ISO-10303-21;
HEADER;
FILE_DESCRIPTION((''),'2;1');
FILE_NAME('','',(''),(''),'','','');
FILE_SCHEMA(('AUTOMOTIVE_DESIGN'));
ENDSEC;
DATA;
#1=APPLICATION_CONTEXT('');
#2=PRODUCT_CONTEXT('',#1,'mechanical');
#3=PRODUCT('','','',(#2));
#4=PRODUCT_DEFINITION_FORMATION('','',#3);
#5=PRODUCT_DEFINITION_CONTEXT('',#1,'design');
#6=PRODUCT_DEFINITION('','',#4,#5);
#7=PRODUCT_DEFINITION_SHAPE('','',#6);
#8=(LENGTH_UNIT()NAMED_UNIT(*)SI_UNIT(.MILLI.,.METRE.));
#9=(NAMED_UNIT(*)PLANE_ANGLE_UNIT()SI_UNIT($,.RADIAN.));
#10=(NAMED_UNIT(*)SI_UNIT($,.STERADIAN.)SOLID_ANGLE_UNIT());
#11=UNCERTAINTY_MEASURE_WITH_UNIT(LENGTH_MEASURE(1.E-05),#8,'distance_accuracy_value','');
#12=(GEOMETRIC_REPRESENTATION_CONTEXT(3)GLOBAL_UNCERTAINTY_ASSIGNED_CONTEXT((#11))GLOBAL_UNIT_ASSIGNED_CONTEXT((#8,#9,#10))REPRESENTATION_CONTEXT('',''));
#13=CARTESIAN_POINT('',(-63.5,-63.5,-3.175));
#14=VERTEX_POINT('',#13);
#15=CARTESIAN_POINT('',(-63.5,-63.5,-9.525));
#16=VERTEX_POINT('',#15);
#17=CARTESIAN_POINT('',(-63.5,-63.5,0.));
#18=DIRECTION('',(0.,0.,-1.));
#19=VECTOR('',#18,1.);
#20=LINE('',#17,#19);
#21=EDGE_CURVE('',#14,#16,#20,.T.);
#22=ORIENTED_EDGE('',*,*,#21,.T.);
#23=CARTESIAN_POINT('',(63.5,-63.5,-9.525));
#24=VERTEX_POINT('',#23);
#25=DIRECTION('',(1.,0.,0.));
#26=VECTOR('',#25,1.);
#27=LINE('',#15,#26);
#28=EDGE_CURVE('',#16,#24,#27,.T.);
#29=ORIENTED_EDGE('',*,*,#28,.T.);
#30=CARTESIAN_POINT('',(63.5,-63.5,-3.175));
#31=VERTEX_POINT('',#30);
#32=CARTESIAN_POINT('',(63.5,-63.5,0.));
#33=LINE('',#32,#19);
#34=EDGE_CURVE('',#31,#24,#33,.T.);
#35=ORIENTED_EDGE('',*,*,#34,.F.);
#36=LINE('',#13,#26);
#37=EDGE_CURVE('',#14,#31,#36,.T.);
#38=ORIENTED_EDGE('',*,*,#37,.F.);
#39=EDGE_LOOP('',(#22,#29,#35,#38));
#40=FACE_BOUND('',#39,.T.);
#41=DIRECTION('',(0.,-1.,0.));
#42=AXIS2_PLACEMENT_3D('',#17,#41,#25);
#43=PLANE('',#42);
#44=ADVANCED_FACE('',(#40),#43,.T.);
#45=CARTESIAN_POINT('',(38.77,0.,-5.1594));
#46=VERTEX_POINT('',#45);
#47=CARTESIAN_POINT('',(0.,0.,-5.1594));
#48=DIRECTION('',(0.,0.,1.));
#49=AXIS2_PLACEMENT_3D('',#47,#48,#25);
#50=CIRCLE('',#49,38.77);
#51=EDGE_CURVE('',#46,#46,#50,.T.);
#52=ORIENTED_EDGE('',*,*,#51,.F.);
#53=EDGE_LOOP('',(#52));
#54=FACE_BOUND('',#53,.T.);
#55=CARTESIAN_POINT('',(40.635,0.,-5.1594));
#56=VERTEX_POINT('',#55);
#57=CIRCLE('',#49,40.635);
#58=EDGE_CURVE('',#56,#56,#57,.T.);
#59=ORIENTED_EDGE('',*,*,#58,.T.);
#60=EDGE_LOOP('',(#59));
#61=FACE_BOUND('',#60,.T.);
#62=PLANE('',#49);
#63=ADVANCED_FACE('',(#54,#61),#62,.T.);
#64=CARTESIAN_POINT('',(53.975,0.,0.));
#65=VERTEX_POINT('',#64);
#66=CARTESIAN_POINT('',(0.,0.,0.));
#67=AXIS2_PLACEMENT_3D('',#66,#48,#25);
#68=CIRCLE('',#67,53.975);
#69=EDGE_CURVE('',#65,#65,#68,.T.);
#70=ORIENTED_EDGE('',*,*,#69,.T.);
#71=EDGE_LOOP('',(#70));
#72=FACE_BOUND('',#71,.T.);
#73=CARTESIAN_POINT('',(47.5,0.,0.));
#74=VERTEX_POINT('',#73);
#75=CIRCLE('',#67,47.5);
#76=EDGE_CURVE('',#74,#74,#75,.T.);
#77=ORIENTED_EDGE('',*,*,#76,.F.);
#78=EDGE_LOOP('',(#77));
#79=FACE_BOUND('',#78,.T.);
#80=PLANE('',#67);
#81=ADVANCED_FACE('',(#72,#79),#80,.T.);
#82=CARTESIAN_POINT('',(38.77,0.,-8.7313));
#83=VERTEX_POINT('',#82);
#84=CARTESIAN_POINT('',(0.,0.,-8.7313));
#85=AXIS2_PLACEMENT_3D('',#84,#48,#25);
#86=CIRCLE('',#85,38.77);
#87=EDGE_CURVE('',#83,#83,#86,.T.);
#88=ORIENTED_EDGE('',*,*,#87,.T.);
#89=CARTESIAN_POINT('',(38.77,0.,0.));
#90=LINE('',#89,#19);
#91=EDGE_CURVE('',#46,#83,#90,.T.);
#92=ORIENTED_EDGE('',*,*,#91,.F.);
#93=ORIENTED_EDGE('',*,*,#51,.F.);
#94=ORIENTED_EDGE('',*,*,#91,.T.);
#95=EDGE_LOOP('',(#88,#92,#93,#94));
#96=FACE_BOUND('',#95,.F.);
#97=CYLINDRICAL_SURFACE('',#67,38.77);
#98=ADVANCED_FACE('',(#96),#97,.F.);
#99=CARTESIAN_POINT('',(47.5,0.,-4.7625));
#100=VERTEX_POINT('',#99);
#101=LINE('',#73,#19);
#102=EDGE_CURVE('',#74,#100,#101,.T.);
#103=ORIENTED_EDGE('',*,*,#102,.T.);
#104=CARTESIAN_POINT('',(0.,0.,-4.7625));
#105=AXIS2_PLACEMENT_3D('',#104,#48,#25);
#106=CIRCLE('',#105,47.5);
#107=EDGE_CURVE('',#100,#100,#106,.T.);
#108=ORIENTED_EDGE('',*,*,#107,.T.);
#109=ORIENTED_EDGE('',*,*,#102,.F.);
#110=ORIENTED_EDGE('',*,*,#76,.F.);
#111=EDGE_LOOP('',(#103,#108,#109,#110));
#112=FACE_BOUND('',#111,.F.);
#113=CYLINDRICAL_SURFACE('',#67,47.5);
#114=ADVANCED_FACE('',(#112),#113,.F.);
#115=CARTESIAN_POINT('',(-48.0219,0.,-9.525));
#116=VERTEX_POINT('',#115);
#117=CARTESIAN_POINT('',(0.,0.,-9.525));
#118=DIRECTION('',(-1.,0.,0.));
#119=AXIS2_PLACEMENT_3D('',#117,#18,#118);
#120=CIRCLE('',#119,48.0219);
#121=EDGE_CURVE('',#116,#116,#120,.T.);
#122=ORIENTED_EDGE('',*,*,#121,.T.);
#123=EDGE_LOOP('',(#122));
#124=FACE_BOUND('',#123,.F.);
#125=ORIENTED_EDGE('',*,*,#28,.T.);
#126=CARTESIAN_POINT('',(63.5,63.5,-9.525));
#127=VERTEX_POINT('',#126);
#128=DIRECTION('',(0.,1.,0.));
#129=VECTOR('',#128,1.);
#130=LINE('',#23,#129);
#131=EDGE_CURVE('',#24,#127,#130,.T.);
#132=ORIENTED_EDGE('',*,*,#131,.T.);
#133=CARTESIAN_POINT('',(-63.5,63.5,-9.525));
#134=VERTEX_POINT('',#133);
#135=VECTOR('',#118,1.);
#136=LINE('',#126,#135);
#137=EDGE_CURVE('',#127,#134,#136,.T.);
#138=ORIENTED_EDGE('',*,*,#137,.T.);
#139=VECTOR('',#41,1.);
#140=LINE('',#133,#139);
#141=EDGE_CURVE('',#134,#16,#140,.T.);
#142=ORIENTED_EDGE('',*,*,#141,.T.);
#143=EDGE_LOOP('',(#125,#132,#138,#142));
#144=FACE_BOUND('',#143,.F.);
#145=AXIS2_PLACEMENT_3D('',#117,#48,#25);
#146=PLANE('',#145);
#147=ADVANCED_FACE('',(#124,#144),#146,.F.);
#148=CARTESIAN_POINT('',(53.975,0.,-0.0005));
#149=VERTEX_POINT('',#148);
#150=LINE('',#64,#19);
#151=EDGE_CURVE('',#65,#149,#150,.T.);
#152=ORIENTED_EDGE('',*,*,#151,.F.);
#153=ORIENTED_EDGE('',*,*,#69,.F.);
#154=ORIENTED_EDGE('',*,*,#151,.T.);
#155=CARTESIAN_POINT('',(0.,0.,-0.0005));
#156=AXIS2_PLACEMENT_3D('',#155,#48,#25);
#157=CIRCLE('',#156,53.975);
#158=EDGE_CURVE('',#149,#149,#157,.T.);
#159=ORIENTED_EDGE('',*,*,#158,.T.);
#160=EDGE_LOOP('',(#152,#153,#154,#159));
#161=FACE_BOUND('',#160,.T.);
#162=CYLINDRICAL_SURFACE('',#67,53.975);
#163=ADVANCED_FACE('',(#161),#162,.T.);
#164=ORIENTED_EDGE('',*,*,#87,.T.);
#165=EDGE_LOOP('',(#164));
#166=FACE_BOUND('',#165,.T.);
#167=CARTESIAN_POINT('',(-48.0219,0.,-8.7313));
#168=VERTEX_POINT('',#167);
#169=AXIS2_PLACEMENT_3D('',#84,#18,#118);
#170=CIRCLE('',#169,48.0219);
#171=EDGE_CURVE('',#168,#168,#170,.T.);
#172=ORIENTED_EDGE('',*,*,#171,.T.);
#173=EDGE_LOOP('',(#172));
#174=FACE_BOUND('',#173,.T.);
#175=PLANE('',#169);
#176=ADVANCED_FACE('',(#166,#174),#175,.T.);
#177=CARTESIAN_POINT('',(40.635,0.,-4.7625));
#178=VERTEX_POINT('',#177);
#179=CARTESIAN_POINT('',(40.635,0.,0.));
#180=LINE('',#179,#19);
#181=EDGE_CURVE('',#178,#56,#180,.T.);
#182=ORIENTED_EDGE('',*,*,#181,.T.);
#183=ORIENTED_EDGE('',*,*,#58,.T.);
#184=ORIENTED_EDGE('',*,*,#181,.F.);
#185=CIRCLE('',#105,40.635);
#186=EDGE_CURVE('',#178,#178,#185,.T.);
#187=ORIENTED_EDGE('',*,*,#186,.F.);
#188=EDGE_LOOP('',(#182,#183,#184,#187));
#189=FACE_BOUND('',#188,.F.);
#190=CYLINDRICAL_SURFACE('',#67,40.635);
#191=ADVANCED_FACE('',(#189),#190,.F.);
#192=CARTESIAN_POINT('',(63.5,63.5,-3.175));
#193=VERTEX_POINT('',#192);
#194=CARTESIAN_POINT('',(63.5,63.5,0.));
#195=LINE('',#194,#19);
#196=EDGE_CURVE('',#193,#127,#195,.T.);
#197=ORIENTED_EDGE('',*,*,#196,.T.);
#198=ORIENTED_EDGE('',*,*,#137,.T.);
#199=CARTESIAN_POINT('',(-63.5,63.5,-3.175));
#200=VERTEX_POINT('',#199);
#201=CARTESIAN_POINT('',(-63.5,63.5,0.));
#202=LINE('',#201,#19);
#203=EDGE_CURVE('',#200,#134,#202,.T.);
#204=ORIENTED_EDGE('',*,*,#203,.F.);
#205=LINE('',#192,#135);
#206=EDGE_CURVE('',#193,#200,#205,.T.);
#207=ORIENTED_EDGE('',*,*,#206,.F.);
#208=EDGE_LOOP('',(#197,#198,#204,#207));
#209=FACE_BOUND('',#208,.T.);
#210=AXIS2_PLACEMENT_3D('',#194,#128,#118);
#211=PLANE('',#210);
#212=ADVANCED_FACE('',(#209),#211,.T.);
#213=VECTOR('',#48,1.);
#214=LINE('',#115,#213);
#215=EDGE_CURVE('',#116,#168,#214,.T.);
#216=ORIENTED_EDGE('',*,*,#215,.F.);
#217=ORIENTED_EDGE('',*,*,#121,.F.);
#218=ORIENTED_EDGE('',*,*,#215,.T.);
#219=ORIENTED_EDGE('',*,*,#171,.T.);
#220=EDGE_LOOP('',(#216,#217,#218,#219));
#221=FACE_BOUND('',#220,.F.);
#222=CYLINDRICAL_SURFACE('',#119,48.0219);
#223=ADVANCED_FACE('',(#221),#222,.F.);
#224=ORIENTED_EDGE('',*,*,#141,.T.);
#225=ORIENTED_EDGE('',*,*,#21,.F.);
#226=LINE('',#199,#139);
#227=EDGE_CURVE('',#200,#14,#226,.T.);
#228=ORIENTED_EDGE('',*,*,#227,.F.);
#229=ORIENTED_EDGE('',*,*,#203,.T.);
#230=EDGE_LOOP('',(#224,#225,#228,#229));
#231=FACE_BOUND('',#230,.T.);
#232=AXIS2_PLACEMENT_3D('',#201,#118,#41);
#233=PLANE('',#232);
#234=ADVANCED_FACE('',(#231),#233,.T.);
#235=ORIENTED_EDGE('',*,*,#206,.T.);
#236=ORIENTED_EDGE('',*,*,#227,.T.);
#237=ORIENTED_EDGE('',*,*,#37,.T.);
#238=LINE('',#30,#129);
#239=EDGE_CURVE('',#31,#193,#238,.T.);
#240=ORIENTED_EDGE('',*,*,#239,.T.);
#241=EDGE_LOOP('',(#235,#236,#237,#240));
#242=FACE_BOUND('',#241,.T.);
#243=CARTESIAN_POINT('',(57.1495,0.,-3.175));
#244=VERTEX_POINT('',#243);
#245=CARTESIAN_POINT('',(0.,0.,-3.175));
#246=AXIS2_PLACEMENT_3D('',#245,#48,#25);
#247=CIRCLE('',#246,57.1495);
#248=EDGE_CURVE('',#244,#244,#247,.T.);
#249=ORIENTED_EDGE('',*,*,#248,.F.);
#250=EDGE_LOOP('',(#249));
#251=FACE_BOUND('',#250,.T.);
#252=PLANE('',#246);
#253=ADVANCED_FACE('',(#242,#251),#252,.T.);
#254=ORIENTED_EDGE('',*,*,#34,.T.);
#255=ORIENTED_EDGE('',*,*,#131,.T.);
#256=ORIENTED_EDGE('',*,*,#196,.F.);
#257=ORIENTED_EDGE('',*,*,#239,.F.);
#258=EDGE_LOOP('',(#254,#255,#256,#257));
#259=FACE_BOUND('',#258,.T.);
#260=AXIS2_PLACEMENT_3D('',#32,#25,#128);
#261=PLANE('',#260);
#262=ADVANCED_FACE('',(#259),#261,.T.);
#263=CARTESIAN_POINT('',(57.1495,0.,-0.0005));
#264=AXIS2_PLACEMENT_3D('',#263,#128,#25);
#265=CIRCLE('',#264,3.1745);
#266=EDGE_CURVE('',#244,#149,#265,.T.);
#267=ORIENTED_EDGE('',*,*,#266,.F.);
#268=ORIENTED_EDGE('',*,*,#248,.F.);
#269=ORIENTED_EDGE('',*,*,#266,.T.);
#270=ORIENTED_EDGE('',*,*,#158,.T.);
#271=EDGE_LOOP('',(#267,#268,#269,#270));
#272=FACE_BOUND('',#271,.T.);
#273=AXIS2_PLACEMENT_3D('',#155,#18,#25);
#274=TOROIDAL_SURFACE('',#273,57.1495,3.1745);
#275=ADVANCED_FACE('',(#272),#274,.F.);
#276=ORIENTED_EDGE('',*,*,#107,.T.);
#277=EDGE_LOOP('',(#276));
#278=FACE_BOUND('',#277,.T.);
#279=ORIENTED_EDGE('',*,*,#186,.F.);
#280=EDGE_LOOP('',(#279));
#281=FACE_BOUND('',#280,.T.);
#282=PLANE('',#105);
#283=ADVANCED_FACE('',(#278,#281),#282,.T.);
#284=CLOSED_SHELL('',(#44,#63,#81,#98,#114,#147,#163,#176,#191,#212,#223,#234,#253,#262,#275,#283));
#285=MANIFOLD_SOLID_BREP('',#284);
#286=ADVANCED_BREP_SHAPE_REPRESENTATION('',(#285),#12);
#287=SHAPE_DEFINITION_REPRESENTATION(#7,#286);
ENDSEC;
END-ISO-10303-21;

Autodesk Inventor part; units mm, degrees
ref_plane "YZ Plane" through (0, 0, 0) normal (1, 0, 0) x (0, 1, 0)
ref_plane "XZ Plane" through (0, 0, 0) normal (0, 1, 0) x (-1, 0, 0)
ref_plane "XY Plane" through (0, 0, 0) normal (0, 0, 1) x (1, 0, 0)
sketch "Sketch1" plane through (0, 0, 0) normal (0, 0, 1) x (1, 0, 0)
  line L0 (-63.5, -63.5) -> (63.5, -63.5)
  line L1 (63.5, -63.5) -> (63.5, 63.5)
  line L2 (63.5, 63.5) -> (-63.5, 63.5)
  line L3 (-63.5, 63.5) -> (-63.5, -63.5)
  line L4 (-63.5, -63.5) -> (63.5, 63.5) construction
  line L5 (63.5, -63.5) -> (-63.5, 63.5) construction
  circle A0 centre (0, 0) radius 47.5
  circle A1 centre (0, 0) radius 38.77
  circle A2 centre (0, 0) radius 40.635
  dimension "d0" = 127
  dimension "d1" = 127
  dimension "d2" = 95
  dimension "d3" = 77.54
  dimension "d4" = 81.27
extrude "Extrusion1" add sketch "Sketch1" against normal blind 9.525 contours L3 L2 L1 L0 | A0 | A2
extrude "Extrusion2" cut sketch "Sketch1" against normal blind 4.7625 contours A0
extrude "Extrusion3" cut sketch "Sketch1" against normal blind 5.1594 contours A2
sketch "Sketch2" plane through (0, 0, -9.525) normal (0, 0, -1) x (-1, 0, 0)
  circle A0 centre (0, 0) radius 38.77 projected
  circle A1 centre (0, 0) radius 38.1
  circle A2 centre (0, 0) radius 48.0219
  dimension "d11" = 76.2
  dimension "d12" = 96.0438
extrude "Extrusion4" cut sketch "Sketch2" against normal blind 0.7937 contours A2
sketch "Sketch3" plane through (0, 0, 0) normal (0, 0, 1) x (1, 0, 0)
  line L0 (-63.5, -63.5) -> (63.5, -63.5) projected
  line L1 (63.5, -63.5) -> (63.5, 63.5) projected
  line L2 (63.5, 63.5) -> (-63.5, 63.5) projected
  line L3 (-63.5, 63.5) -> (-63.5, -63.5) projected
  circle A0 centre (0, 0) radius 47.5 projected
  circle A1 centre (0, 0) radius 53.975
  dimension "d16" = 107.95
extrude "Extrusion5" cut sketch "Sketch3" against normal blind 3.175 contours L3 L2 L1 L0
fillet "Fillet1" radius 3.175 1 edges at (-53.975, 0, -3.175)
properties part number "Swerve Pre Baseplate"
